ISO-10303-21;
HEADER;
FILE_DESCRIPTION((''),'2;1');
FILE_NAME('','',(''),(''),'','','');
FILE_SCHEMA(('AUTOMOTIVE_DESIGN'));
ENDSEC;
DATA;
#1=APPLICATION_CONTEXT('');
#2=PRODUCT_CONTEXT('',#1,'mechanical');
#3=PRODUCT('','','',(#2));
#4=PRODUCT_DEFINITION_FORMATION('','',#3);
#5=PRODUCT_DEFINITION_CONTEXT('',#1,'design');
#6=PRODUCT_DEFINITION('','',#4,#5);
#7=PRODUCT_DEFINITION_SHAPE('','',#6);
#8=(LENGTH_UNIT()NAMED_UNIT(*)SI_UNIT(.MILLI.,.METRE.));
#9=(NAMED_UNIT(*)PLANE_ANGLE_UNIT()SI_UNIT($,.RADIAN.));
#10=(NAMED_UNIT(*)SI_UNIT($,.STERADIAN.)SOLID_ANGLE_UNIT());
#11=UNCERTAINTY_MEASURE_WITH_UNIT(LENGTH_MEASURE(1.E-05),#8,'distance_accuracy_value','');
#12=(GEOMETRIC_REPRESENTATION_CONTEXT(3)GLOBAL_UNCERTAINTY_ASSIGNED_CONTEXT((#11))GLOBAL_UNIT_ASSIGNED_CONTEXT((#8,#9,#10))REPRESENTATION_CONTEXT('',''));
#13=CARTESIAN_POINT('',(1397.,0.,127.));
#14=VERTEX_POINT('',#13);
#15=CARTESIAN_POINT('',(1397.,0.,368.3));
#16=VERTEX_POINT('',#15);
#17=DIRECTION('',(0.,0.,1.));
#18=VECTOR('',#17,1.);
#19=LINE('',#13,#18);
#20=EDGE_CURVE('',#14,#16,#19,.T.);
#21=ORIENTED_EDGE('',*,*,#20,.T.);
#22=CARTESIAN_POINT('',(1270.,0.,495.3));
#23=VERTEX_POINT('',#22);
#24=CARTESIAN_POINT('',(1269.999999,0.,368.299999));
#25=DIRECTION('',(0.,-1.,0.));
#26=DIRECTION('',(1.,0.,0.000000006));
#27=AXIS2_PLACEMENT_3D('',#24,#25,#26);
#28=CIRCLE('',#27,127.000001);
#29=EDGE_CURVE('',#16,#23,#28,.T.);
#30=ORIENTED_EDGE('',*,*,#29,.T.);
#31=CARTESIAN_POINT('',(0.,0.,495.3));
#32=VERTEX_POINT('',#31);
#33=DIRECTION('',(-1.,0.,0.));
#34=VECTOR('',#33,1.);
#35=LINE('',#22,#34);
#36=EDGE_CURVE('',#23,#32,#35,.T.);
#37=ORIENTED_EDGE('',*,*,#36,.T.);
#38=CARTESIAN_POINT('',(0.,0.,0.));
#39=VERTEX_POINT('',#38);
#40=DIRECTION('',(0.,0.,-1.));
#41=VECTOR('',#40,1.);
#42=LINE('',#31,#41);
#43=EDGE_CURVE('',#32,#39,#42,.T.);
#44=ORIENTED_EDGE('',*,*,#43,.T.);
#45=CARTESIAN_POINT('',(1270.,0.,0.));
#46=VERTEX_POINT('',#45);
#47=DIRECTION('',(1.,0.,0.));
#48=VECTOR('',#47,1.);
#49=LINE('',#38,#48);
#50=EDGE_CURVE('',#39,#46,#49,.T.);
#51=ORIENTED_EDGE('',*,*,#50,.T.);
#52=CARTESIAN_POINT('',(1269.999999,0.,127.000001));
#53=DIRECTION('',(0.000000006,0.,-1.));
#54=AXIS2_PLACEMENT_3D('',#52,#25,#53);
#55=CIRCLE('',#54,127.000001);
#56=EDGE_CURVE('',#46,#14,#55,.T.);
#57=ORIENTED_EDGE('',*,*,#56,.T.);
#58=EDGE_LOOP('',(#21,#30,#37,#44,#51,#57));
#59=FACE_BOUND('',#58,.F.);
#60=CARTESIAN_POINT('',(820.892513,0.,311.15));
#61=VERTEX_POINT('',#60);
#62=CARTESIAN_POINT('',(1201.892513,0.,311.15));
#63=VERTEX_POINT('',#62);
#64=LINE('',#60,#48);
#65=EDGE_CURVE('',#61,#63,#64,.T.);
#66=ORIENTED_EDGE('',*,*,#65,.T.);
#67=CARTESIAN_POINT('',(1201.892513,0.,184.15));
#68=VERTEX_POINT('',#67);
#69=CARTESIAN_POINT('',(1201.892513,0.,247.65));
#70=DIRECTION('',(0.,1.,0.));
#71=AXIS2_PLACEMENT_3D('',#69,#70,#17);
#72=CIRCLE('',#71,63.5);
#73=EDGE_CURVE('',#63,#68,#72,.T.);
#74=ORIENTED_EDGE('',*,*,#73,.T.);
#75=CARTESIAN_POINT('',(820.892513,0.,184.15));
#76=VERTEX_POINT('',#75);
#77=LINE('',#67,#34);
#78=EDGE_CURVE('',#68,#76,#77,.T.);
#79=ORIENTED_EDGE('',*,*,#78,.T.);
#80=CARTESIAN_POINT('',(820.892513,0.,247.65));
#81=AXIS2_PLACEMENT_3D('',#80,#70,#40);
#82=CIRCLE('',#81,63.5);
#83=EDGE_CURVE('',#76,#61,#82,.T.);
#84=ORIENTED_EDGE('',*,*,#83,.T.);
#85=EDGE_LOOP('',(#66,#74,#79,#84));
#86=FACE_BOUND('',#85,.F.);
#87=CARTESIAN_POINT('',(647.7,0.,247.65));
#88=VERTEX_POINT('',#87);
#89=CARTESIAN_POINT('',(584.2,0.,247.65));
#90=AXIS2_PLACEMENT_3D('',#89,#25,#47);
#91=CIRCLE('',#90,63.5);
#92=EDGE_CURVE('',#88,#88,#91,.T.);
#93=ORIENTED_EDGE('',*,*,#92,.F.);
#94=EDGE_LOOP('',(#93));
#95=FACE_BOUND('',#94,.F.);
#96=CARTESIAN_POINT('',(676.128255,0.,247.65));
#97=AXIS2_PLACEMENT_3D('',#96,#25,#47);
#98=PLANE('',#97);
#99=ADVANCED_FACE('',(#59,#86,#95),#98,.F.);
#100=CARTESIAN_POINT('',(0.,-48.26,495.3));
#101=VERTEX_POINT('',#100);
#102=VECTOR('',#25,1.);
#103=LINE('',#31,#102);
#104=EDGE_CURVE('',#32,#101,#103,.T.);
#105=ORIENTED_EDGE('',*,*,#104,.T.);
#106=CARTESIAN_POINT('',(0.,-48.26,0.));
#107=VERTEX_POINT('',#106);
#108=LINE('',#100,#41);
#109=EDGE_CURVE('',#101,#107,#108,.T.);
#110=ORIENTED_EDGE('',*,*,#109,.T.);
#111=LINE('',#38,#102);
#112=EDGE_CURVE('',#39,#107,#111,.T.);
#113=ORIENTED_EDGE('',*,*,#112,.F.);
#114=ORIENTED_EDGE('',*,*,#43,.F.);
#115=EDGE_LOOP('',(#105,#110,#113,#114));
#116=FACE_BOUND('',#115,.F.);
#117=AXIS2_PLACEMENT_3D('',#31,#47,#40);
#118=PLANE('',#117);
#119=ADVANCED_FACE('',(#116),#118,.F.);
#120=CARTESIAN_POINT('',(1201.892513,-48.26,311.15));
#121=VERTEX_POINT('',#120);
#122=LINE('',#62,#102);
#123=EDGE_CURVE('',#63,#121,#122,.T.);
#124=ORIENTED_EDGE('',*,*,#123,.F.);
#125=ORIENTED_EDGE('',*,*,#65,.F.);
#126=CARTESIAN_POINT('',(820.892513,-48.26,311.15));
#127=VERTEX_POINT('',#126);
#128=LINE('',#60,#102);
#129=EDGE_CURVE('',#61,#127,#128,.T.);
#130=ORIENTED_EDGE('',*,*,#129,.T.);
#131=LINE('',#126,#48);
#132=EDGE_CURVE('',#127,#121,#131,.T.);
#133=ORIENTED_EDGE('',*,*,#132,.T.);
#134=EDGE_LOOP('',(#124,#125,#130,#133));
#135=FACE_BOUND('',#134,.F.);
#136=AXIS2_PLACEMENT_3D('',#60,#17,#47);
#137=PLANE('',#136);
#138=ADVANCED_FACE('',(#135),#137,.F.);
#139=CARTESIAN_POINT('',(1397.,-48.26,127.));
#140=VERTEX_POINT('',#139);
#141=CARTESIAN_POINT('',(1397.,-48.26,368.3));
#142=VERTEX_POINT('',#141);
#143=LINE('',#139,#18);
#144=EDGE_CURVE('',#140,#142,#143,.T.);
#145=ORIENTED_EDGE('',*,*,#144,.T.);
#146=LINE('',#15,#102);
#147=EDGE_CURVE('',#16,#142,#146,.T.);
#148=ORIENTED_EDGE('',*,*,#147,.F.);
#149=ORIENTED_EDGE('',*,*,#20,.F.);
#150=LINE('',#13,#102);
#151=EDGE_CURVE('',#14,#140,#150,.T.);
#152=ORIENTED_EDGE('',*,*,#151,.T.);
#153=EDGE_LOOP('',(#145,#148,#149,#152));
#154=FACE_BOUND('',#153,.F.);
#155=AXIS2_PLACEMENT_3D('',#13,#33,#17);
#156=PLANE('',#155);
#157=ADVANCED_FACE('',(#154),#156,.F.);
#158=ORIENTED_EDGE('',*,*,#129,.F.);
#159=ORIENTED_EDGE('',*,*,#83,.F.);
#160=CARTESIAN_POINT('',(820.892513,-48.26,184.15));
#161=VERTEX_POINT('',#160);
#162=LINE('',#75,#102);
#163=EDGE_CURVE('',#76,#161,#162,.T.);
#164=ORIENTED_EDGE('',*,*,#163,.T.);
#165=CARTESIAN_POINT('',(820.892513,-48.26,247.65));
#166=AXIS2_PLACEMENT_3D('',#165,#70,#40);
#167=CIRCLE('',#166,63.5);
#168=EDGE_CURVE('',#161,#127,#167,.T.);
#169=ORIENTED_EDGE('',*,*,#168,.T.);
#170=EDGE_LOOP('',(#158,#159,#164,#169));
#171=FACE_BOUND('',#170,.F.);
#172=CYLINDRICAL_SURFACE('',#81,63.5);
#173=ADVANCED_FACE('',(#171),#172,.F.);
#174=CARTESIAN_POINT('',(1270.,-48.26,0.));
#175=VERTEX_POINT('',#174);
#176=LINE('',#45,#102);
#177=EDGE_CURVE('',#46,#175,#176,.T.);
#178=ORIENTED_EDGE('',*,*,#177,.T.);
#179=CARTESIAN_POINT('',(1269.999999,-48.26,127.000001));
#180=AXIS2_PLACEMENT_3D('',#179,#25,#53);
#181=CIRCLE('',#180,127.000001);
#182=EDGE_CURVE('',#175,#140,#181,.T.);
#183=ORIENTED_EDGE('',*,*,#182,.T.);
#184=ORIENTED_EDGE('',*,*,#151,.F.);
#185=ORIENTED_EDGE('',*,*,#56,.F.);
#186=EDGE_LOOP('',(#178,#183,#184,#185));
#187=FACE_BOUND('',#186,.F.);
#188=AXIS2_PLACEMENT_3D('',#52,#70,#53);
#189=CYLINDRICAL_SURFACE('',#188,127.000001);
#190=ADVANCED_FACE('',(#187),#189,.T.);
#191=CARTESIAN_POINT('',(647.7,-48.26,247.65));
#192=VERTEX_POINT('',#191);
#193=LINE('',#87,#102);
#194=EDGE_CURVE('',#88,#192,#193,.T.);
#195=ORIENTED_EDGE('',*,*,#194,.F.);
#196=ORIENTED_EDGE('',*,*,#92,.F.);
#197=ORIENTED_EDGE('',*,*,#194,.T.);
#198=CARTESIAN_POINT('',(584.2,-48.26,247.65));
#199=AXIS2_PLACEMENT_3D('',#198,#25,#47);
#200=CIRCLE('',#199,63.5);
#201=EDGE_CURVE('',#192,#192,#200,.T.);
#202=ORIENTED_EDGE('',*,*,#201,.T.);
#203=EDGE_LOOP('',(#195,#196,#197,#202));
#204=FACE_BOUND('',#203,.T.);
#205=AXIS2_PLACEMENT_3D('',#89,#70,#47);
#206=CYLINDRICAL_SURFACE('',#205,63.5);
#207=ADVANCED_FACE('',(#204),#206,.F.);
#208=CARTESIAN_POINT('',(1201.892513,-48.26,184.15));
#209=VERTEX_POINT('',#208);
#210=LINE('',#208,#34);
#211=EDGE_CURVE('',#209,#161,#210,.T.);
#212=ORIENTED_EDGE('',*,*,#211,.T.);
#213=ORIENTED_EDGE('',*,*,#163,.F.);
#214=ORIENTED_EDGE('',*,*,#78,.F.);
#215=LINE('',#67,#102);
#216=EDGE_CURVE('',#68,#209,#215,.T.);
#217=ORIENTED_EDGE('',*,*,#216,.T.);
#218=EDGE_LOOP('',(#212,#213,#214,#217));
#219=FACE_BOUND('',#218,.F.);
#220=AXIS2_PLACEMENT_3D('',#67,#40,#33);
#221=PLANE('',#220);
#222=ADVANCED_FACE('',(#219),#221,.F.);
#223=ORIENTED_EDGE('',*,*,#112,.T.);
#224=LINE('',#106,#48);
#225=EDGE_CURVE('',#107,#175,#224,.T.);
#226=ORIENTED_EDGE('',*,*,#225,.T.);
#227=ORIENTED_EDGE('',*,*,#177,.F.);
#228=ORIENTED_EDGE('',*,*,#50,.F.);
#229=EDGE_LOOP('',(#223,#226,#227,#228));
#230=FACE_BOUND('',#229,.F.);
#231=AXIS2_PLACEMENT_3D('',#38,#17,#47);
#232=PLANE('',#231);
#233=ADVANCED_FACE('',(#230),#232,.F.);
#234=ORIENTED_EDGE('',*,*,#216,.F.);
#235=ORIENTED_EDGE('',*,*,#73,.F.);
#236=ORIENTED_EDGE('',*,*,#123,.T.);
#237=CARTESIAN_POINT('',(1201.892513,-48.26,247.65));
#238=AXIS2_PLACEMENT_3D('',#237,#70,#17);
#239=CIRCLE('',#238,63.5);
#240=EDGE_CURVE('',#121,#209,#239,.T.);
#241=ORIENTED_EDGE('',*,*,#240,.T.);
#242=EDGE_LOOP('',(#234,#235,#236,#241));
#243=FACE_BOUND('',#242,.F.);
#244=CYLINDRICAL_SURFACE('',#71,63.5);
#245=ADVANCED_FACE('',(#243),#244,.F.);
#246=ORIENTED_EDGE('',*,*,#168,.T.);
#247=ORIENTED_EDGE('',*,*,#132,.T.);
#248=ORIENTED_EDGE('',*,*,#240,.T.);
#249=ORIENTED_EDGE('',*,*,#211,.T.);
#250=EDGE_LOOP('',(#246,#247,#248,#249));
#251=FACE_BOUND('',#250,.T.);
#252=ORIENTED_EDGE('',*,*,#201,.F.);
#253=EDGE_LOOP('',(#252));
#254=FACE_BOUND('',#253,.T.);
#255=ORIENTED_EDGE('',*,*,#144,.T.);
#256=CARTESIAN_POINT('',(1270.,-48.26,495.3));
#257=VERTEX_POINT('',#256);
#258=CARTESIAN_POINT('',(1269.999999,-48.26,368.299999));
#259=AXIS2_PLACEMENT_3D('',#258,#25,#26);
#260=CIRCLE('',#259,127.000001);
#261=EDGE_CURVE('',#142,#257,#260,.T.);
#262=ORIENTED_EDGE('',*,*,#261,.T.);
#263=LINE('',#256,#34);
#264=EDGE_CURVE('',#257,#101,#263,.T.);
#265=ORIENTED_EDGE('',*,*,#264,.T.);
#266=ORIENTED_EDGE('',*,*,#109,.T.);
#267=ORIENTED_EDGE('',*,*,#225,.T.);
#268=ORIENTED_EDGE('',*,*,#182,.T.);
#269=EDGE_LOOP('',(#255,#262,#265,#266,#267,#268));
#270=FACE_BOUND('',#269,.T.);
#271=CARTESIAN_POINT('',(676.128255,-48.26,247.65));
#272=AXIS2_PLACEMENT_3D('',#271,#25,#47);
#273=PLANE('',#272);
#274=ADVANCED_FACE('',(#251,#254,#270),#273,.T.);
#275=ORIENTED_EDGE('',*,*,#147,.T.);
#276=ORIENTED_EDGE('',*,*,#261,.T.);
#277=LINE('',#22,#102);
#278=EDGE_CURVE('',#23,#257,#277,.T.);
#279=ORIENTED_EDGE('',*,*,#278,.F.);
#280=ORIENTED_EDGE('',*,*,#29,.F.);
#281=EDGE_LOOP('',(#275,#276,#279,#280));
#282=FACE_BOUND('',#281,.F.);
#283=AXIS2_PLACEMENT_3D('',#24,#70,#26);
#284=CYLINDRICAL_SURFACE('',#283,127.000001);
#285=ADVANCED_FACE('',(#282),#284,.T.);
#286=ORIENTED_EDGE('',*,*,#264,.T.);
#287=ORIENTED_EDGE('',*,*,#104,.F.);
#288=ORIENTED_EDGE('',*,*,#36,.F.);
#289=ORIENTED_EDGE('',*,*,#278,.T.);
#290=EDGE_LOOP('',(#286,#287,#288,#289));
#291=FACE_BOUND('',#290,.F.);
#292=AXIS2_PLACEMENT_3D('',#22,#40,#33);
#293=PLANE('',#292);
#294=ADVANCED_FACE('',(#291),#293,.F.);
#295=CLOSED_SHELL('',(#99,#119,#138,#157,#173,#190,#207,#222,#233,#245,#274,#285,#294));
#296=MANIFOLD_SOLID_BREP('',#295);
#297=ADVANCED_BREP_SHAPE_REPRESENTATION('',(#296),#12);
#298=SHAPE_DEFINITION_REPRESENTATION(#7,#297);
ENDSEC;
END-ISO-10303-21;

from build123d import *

# Parameters (mm, degrees)
F0_R     = 63.5
F1_DEPTH = 48.26


with BuildPart() as f1:
    # F0 (on Front) → F1 (new body)
    with BuildSketch(Plane.XZ):
        with BuildLine():
            Line((0, 495.3), (0, 0))
            Line((0, 0), (1270, 0))
            ThreePointArc((1270, 0), (1359.802561, 37.197439), (1397, 127))
            Line((1397, 127), (1397, 368.3))
            ThreePointArc((1397, 368.3), (1359.802561, 458.102561), (1270, 495.3))
            Line((1270, 495.3), (0, 495.3))
        make_face()
        with Locations((584.2, 247.65)):
            Circle(F0_R, mode=Mode.SUBTRACT)
        with BuildLine():
            Line((1201.892513, 184.15), (820.892513, 184.15))
            ThreePointArc((820.892513, 184.15), (757.392513, 247.65), (820.892513, 311.15))
            Line((820.892513, 311.15), (1201.892513, 311.15))
            ThreePointArc((1201.892513, 311.15), (1265.392513, 247.65), (1201.892513, 184.15))
        make_face(mode=Mode.SUBTRACT)
    extrude(amount=F1_DEPTH)


solid = f1.part
